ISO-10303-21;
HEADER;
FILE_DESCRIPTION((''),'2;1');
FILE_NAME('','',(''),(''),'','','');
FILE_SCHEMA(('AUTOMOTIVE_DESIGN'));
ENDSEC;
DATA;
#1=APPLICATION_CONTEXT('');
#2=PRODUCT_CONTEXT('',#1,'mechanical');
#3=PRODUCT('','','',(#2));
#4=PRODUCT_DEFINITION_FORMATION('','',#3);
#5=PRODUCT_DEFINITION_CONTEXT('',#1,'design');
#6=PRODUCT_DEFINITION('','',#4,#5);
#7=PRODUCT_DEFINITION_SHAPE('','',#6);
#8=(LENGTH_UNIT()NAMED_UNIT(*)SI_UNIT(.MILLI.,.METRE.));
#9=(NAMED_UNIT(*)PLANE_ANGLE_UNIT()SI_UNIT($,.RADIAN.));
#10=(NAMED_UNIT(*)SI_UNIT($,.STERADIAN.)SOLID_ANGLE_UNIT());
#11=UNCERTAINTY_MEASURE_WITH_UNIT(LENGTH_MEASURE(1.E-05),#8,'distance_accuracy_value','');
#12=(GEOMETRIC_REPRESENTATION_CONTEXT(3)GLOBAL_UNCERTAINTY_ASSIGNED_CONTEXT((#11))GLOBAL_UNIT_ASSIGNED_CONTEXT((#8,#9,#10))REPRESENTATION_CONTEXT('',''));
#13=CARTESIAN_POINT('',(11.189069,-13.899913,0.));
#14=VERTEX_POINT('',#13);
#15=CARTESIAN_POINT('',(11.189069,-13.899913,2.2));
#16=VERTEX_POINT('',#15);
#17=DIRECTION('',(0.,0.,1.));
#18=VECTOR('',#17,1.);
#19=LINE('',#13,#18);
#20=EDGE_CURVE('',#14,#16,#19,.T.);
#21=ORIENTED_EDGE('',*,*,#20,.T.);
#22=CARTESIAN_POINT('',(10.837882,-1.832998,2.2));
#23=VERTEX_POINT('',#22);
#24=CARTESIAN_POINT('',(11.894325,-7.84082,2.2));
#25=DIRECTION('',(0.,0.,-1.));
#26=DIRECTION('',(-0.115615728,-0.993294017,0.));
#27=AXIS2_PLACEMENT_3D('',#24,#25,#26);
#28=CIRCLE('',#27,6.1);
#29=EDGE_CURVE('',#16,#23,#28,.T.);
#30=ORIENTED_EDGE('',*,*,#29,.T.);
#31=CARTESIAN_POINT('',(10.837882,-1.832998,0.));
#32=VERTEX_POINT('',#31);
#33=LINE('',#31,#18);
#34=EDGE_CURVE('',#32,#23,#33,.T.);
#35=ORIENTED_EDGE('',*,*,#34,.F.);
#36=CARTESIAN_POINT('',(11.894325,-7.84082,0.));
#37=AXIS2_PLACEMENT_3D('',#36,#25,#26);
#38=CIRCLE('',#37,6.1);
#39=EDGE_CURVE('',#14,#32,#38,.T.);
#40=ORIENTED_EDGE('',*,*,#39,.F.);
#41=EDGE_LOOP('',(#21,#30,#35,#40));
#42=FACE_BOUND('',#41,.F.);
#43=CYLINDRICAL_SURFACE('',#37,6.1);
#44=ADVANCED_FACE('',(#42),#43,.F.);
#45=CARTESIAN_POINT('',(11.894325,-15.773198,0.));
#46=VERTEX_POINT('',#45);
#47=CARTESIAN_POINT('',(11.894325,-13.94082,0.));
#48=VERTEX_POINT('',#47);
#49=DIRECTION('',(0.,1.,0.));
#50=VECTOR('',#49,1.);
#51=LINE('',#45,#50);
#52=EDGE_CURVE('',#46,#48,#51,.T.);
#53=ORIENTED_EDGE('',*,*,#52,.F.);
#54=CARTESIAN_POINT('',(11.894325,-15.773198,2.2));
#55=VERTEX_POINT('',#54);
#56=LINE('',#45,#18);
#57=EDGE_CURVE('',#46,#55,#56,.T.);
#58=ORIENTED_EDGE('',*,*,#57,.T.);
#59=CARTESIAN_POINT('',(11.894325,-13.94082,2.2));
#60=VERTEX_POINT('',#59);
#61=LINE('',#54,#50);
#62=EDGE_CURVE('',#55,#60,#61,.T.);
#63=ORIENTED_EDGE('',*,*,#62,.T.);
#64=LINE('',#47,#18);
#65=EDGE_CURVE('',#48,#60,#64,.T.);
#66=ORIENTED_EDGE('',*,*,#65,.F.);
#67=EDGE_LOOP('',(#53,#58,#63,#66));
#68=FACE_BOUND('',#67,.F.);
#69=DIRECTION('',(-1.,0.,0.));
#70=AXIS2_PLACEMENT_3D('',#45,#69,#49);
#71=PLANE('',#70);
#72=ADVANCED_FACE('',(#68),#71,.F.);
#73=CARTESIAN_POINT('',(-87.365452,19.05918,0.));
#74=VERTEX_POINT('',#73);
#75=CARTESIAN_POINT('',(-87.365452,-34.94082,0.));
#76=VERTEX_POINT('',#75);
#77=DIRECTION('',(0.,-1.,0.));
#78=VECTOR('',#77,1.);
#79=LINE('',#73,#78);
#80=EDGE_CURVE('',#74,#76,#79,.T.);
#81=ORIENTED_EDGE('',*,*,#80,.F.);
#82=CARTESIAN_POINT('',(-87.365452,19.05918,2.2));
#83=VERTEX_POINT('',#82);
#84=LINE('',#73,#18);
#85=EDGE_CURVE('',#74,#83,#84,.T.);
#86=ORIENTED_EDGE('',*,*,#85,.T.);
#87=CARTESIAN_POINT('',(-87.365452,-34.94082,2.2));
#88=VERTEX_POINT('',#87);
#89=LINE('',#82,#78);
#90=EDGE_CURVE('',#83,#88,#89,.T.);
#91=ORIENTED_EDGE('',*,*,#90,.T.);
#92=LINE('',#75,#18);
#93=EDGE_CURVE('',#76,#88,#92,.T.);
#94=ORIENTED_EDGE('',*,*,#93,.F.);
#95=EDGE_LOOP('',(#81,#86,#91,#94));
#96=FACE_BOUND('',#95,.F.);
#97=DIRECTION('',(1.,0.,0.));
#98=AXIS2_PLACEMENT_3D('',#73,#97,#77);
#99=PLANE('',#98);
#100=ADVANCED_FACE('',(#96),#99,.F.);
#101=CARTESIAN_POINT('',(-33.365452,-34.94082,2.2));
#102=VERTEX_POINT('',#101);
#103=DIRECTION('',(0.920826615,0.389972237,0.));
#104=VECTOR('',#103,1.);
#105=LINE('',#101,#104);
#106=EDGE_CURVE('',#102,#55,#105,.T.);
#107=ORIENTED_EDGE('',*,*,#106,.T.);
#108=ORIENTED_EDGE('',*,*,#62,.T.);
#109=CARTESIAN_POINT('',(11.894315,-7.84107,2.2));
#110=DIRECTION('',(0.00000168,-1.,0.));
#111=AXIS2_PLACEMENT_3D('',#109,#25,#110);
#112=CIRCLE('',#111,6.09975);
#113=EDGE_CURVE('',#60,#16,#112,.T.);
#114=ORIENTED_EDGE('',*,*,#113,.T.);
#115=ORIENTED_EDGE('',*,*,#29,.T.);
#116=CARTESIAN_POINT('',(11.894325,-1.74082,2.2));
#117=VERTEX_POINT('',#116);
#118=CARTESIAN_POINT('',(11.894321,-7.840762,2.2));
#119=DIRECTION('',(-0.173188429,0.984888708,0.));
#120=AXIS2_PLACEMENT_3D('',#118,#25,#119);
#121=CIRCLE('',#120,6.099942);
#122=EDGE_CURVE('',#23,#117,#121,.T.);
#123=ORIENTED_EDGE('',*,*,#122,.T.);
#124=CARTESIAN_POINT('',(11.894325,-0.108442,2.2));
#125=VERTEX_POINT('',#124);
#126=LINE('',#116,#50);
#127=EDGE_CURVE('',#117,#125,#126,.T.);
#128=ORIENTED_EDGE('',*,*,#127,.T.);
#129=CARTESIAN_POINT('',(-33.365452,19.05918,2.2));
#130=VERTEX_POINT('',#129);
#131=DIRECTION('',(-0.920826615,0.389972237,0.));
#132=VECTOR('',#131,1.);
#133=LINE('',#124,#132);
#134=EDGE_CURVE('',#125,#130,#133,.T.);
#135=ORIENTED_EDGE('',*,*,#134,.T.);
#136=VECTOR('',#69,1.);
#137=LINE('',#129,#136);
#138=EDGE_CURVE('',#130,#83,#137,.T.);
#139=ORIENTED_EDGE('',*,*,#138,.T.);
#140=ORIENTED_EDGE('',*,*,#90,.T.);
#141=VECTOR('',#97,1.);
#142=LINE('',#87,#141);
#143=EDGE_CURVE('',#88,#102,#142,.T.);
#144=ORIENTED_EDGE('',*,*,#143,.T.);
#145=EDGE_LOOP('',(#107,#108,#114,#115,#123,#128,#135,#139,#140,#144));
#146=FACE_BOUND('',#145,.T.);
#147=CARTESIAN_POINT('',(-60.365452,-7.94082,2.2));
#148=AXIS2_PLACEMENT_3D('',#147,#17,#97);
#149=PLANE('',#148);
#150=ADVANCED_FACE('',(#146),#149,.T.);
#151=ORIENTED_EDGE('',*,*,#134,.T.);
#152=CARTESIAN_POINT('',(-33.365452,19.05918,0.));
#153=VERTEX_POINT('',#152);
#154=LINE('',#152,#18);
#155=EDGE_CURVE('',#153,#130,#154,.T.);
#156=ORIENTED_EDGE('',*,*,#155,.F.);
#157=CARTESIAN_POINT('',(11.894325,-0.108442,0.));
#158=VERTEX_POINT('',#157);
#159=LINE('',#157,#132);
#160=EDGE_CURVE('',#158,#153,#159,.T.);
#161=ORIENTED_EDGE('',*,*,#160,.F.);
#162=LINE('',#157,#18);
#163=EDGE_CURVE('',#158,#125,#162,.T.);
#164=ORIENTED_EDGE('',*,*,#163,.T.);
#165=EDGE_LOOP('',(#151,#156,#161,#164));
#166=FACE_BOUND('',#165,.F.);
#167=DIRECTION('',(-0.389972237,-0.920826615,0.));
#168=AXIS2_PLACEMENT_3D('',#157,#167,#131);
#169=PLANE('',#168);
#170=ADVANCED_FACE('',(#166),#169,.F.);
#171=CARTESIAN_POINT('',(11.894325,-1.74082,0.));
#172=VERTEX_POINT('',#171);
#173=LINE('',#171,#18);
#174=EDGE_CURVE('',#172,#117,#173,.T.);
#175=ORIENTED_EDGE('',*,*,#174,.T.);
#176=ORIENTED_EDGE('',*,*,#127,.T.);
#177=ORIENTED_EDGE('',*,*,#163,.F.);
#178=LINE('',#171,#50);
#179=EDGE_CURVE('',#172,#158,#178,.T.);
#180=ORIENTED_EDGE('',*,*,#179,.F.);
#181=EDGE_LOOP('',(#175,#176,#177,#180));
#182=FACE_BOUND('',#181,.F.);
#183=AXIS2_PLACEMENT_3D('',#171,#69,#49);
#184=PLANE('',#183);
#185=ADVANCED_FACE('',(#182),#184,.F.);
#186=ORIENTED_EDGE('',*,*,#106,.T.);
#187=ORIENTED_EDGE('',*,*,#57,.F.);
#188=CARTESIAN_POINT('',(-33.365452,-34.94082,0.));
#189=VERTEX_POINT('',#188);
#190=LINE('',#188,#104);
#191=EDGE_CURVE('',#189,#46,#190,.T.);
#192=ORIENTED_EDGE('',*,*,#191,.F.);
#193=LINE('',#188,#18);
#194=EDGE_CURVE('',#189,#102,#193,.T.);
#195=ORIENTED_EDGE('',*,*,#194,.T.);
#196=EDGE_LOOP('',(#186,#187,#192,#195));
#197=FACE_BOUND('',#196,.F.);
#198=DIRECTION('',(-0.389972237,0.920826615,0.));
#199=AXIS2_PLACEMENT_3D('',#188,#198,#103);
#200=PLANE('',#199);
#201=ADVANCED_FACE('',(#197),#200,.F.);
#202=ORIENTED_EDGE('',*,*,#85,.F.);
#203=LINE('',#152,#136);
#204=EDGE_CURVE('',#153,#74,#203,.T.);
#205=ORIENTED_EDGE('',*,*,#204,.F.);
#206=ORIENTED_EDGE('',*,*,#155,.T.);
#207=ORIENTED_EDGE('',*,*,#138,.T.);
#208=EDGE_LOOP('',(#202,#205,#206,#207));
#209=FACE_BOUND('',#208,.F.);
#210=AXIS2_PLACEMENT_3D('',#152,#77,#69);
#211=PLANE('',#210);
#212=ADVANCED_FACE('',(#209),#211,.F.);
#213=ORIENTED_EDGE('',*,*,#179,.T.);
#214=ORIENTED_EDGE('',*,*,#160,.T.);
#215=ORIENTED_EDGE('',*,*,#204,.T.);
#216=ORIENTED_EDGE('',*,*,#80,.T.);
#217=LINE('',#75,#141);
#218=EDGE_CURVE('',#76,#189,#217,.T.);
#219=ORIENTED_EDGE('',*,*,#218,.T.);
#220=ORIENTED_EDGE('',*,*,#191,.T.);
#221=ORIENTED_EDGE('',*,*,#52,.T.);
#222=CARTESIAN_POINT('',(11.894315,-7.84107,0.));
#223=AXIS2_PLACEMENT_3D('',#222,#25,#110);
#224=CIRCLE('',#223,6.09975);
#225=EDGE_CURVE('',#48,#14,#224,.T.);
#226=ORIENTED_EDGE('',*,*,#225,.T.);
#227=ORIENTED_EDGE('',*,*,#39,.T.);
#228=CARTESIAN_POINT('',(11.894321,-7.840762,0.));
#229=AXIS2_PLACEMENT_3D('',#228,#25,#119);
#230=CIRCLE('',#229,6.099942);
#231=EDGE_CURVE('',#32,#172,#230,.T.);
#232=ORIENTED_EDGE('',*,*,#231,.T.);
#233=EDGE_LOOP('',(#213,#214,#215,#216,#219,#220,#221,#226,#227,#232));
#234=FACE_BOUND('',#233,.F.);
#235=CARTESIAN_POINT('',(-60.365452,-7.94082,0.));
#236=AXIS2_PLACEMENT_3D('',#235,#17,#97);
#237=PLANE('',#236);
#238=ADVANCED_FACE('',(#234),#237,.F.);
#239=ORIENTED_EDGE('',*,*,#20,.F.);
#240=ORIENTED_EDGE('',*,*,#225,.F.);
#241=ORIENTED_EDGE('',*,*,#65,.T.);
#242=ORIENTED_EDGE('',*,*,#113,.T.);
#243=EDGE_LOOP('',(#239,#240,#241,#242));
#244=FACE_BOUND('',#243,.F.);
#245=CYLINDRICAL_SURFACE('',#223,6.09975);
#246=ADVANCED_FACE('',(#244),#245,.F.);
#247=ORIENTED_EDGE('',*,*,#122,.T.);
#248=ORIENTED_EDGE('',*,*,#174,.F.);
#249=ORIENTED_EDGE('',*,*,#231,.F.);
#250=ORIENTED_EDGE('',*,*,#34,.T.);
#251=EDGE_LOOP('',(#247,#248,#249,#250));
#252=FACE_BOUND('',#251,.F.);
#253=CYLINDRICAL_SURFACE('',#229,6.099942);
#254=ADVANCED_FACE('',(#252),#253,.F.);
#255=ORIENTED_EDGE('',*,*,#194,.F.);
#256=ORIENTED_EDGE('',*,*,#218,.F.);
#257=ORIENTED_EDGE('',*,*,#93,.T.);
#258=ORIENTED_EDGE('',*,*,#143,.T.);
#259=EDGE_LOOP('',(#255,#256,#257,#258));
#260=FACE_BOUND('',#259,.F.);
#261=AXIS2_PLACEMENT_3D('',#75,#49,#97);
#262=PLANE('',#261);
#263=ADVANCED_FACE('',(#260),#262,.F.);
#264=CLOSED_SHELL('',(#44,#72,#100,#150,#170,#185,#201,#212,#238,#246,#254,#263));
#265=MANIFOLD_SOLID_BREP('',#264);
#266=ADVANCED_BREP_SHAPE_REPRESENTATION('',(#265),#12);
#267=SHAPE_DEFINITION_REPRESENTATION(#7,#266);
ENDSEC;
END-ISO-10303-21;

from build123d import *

# Parameters (mm, degrees)
F1_DEPTH = 2.2


with BuildPart() as f1:
    # F0 (on Top) → F1 (new body)
    with BuildSketch(Plane.XY):
        Polygon((-33.365452, 16.887218), (-33.365452, 19.05918), (-87.365452, 19.05918), (-87.365452, -34.94082), (-33.365452, -34.94082), (-33.365452, -32.768858), align=None)
        with BuildLine():
            Line((11.894325, -0.108442), (-33.365452, 19.05918))
            Line((-33.365452, 19.05918), (-33.365452, 16.887218))
            Line((-33.365452, 16.887218), (-31.365452, 16.040213))
            Line((-31.365452, 16.040213), (10.837882, -1.832998))
            ThreePointArc((10.837882, -1.832998), (11.364097, -1.763908), (11.894325, -1.74082))
            Line((11.894325, -1.74082), (11.894325, -0.108442))
        make_face()
        Polygon((-31.365452, 16.040213), (-33.365452, 16.887218), (-33.365452, -32.768858), (-31.365452, -31.921853), (-31.365452, -7.94082), align=None)
        with BuildLine():
            Line((10.837882, -1.832998), (-31.365452, 16.040213))
            Line((-31.365452, 16.040213), (-31.365452, -7.94082))
            Line((-31.365452, -7.94082), (-31.365452, -31.921853))
            Line((-31.365452, -31.921853), (11.189069, -13.899913))
            ThreePointArc((11.189069, -13.899913), (5.796907, -8.018275), (10.837882, -1.832998))
        make_face()
        with BuildLine():
            Line((-31.365452, -31.921853), (-33.365452, -32.768858))
            Line((-33.365452, -32.768858), (-33.365452, -34.94082))
            Line((-33.365452, -34.94082), (11.894325, -15.773198))
            Line((11.894325, -15.773198), (11.894325, -13.94082))
            ThreePointArc((11.894325, -13.94082), (11.541105, -13.930585), (11.189069, -13.899913))
            Line((11.189069, -13.899913), (-31.365452, -31.921853))
        make_face()
    extrude(amount=F1_DEPTH)


solid = f1.part
